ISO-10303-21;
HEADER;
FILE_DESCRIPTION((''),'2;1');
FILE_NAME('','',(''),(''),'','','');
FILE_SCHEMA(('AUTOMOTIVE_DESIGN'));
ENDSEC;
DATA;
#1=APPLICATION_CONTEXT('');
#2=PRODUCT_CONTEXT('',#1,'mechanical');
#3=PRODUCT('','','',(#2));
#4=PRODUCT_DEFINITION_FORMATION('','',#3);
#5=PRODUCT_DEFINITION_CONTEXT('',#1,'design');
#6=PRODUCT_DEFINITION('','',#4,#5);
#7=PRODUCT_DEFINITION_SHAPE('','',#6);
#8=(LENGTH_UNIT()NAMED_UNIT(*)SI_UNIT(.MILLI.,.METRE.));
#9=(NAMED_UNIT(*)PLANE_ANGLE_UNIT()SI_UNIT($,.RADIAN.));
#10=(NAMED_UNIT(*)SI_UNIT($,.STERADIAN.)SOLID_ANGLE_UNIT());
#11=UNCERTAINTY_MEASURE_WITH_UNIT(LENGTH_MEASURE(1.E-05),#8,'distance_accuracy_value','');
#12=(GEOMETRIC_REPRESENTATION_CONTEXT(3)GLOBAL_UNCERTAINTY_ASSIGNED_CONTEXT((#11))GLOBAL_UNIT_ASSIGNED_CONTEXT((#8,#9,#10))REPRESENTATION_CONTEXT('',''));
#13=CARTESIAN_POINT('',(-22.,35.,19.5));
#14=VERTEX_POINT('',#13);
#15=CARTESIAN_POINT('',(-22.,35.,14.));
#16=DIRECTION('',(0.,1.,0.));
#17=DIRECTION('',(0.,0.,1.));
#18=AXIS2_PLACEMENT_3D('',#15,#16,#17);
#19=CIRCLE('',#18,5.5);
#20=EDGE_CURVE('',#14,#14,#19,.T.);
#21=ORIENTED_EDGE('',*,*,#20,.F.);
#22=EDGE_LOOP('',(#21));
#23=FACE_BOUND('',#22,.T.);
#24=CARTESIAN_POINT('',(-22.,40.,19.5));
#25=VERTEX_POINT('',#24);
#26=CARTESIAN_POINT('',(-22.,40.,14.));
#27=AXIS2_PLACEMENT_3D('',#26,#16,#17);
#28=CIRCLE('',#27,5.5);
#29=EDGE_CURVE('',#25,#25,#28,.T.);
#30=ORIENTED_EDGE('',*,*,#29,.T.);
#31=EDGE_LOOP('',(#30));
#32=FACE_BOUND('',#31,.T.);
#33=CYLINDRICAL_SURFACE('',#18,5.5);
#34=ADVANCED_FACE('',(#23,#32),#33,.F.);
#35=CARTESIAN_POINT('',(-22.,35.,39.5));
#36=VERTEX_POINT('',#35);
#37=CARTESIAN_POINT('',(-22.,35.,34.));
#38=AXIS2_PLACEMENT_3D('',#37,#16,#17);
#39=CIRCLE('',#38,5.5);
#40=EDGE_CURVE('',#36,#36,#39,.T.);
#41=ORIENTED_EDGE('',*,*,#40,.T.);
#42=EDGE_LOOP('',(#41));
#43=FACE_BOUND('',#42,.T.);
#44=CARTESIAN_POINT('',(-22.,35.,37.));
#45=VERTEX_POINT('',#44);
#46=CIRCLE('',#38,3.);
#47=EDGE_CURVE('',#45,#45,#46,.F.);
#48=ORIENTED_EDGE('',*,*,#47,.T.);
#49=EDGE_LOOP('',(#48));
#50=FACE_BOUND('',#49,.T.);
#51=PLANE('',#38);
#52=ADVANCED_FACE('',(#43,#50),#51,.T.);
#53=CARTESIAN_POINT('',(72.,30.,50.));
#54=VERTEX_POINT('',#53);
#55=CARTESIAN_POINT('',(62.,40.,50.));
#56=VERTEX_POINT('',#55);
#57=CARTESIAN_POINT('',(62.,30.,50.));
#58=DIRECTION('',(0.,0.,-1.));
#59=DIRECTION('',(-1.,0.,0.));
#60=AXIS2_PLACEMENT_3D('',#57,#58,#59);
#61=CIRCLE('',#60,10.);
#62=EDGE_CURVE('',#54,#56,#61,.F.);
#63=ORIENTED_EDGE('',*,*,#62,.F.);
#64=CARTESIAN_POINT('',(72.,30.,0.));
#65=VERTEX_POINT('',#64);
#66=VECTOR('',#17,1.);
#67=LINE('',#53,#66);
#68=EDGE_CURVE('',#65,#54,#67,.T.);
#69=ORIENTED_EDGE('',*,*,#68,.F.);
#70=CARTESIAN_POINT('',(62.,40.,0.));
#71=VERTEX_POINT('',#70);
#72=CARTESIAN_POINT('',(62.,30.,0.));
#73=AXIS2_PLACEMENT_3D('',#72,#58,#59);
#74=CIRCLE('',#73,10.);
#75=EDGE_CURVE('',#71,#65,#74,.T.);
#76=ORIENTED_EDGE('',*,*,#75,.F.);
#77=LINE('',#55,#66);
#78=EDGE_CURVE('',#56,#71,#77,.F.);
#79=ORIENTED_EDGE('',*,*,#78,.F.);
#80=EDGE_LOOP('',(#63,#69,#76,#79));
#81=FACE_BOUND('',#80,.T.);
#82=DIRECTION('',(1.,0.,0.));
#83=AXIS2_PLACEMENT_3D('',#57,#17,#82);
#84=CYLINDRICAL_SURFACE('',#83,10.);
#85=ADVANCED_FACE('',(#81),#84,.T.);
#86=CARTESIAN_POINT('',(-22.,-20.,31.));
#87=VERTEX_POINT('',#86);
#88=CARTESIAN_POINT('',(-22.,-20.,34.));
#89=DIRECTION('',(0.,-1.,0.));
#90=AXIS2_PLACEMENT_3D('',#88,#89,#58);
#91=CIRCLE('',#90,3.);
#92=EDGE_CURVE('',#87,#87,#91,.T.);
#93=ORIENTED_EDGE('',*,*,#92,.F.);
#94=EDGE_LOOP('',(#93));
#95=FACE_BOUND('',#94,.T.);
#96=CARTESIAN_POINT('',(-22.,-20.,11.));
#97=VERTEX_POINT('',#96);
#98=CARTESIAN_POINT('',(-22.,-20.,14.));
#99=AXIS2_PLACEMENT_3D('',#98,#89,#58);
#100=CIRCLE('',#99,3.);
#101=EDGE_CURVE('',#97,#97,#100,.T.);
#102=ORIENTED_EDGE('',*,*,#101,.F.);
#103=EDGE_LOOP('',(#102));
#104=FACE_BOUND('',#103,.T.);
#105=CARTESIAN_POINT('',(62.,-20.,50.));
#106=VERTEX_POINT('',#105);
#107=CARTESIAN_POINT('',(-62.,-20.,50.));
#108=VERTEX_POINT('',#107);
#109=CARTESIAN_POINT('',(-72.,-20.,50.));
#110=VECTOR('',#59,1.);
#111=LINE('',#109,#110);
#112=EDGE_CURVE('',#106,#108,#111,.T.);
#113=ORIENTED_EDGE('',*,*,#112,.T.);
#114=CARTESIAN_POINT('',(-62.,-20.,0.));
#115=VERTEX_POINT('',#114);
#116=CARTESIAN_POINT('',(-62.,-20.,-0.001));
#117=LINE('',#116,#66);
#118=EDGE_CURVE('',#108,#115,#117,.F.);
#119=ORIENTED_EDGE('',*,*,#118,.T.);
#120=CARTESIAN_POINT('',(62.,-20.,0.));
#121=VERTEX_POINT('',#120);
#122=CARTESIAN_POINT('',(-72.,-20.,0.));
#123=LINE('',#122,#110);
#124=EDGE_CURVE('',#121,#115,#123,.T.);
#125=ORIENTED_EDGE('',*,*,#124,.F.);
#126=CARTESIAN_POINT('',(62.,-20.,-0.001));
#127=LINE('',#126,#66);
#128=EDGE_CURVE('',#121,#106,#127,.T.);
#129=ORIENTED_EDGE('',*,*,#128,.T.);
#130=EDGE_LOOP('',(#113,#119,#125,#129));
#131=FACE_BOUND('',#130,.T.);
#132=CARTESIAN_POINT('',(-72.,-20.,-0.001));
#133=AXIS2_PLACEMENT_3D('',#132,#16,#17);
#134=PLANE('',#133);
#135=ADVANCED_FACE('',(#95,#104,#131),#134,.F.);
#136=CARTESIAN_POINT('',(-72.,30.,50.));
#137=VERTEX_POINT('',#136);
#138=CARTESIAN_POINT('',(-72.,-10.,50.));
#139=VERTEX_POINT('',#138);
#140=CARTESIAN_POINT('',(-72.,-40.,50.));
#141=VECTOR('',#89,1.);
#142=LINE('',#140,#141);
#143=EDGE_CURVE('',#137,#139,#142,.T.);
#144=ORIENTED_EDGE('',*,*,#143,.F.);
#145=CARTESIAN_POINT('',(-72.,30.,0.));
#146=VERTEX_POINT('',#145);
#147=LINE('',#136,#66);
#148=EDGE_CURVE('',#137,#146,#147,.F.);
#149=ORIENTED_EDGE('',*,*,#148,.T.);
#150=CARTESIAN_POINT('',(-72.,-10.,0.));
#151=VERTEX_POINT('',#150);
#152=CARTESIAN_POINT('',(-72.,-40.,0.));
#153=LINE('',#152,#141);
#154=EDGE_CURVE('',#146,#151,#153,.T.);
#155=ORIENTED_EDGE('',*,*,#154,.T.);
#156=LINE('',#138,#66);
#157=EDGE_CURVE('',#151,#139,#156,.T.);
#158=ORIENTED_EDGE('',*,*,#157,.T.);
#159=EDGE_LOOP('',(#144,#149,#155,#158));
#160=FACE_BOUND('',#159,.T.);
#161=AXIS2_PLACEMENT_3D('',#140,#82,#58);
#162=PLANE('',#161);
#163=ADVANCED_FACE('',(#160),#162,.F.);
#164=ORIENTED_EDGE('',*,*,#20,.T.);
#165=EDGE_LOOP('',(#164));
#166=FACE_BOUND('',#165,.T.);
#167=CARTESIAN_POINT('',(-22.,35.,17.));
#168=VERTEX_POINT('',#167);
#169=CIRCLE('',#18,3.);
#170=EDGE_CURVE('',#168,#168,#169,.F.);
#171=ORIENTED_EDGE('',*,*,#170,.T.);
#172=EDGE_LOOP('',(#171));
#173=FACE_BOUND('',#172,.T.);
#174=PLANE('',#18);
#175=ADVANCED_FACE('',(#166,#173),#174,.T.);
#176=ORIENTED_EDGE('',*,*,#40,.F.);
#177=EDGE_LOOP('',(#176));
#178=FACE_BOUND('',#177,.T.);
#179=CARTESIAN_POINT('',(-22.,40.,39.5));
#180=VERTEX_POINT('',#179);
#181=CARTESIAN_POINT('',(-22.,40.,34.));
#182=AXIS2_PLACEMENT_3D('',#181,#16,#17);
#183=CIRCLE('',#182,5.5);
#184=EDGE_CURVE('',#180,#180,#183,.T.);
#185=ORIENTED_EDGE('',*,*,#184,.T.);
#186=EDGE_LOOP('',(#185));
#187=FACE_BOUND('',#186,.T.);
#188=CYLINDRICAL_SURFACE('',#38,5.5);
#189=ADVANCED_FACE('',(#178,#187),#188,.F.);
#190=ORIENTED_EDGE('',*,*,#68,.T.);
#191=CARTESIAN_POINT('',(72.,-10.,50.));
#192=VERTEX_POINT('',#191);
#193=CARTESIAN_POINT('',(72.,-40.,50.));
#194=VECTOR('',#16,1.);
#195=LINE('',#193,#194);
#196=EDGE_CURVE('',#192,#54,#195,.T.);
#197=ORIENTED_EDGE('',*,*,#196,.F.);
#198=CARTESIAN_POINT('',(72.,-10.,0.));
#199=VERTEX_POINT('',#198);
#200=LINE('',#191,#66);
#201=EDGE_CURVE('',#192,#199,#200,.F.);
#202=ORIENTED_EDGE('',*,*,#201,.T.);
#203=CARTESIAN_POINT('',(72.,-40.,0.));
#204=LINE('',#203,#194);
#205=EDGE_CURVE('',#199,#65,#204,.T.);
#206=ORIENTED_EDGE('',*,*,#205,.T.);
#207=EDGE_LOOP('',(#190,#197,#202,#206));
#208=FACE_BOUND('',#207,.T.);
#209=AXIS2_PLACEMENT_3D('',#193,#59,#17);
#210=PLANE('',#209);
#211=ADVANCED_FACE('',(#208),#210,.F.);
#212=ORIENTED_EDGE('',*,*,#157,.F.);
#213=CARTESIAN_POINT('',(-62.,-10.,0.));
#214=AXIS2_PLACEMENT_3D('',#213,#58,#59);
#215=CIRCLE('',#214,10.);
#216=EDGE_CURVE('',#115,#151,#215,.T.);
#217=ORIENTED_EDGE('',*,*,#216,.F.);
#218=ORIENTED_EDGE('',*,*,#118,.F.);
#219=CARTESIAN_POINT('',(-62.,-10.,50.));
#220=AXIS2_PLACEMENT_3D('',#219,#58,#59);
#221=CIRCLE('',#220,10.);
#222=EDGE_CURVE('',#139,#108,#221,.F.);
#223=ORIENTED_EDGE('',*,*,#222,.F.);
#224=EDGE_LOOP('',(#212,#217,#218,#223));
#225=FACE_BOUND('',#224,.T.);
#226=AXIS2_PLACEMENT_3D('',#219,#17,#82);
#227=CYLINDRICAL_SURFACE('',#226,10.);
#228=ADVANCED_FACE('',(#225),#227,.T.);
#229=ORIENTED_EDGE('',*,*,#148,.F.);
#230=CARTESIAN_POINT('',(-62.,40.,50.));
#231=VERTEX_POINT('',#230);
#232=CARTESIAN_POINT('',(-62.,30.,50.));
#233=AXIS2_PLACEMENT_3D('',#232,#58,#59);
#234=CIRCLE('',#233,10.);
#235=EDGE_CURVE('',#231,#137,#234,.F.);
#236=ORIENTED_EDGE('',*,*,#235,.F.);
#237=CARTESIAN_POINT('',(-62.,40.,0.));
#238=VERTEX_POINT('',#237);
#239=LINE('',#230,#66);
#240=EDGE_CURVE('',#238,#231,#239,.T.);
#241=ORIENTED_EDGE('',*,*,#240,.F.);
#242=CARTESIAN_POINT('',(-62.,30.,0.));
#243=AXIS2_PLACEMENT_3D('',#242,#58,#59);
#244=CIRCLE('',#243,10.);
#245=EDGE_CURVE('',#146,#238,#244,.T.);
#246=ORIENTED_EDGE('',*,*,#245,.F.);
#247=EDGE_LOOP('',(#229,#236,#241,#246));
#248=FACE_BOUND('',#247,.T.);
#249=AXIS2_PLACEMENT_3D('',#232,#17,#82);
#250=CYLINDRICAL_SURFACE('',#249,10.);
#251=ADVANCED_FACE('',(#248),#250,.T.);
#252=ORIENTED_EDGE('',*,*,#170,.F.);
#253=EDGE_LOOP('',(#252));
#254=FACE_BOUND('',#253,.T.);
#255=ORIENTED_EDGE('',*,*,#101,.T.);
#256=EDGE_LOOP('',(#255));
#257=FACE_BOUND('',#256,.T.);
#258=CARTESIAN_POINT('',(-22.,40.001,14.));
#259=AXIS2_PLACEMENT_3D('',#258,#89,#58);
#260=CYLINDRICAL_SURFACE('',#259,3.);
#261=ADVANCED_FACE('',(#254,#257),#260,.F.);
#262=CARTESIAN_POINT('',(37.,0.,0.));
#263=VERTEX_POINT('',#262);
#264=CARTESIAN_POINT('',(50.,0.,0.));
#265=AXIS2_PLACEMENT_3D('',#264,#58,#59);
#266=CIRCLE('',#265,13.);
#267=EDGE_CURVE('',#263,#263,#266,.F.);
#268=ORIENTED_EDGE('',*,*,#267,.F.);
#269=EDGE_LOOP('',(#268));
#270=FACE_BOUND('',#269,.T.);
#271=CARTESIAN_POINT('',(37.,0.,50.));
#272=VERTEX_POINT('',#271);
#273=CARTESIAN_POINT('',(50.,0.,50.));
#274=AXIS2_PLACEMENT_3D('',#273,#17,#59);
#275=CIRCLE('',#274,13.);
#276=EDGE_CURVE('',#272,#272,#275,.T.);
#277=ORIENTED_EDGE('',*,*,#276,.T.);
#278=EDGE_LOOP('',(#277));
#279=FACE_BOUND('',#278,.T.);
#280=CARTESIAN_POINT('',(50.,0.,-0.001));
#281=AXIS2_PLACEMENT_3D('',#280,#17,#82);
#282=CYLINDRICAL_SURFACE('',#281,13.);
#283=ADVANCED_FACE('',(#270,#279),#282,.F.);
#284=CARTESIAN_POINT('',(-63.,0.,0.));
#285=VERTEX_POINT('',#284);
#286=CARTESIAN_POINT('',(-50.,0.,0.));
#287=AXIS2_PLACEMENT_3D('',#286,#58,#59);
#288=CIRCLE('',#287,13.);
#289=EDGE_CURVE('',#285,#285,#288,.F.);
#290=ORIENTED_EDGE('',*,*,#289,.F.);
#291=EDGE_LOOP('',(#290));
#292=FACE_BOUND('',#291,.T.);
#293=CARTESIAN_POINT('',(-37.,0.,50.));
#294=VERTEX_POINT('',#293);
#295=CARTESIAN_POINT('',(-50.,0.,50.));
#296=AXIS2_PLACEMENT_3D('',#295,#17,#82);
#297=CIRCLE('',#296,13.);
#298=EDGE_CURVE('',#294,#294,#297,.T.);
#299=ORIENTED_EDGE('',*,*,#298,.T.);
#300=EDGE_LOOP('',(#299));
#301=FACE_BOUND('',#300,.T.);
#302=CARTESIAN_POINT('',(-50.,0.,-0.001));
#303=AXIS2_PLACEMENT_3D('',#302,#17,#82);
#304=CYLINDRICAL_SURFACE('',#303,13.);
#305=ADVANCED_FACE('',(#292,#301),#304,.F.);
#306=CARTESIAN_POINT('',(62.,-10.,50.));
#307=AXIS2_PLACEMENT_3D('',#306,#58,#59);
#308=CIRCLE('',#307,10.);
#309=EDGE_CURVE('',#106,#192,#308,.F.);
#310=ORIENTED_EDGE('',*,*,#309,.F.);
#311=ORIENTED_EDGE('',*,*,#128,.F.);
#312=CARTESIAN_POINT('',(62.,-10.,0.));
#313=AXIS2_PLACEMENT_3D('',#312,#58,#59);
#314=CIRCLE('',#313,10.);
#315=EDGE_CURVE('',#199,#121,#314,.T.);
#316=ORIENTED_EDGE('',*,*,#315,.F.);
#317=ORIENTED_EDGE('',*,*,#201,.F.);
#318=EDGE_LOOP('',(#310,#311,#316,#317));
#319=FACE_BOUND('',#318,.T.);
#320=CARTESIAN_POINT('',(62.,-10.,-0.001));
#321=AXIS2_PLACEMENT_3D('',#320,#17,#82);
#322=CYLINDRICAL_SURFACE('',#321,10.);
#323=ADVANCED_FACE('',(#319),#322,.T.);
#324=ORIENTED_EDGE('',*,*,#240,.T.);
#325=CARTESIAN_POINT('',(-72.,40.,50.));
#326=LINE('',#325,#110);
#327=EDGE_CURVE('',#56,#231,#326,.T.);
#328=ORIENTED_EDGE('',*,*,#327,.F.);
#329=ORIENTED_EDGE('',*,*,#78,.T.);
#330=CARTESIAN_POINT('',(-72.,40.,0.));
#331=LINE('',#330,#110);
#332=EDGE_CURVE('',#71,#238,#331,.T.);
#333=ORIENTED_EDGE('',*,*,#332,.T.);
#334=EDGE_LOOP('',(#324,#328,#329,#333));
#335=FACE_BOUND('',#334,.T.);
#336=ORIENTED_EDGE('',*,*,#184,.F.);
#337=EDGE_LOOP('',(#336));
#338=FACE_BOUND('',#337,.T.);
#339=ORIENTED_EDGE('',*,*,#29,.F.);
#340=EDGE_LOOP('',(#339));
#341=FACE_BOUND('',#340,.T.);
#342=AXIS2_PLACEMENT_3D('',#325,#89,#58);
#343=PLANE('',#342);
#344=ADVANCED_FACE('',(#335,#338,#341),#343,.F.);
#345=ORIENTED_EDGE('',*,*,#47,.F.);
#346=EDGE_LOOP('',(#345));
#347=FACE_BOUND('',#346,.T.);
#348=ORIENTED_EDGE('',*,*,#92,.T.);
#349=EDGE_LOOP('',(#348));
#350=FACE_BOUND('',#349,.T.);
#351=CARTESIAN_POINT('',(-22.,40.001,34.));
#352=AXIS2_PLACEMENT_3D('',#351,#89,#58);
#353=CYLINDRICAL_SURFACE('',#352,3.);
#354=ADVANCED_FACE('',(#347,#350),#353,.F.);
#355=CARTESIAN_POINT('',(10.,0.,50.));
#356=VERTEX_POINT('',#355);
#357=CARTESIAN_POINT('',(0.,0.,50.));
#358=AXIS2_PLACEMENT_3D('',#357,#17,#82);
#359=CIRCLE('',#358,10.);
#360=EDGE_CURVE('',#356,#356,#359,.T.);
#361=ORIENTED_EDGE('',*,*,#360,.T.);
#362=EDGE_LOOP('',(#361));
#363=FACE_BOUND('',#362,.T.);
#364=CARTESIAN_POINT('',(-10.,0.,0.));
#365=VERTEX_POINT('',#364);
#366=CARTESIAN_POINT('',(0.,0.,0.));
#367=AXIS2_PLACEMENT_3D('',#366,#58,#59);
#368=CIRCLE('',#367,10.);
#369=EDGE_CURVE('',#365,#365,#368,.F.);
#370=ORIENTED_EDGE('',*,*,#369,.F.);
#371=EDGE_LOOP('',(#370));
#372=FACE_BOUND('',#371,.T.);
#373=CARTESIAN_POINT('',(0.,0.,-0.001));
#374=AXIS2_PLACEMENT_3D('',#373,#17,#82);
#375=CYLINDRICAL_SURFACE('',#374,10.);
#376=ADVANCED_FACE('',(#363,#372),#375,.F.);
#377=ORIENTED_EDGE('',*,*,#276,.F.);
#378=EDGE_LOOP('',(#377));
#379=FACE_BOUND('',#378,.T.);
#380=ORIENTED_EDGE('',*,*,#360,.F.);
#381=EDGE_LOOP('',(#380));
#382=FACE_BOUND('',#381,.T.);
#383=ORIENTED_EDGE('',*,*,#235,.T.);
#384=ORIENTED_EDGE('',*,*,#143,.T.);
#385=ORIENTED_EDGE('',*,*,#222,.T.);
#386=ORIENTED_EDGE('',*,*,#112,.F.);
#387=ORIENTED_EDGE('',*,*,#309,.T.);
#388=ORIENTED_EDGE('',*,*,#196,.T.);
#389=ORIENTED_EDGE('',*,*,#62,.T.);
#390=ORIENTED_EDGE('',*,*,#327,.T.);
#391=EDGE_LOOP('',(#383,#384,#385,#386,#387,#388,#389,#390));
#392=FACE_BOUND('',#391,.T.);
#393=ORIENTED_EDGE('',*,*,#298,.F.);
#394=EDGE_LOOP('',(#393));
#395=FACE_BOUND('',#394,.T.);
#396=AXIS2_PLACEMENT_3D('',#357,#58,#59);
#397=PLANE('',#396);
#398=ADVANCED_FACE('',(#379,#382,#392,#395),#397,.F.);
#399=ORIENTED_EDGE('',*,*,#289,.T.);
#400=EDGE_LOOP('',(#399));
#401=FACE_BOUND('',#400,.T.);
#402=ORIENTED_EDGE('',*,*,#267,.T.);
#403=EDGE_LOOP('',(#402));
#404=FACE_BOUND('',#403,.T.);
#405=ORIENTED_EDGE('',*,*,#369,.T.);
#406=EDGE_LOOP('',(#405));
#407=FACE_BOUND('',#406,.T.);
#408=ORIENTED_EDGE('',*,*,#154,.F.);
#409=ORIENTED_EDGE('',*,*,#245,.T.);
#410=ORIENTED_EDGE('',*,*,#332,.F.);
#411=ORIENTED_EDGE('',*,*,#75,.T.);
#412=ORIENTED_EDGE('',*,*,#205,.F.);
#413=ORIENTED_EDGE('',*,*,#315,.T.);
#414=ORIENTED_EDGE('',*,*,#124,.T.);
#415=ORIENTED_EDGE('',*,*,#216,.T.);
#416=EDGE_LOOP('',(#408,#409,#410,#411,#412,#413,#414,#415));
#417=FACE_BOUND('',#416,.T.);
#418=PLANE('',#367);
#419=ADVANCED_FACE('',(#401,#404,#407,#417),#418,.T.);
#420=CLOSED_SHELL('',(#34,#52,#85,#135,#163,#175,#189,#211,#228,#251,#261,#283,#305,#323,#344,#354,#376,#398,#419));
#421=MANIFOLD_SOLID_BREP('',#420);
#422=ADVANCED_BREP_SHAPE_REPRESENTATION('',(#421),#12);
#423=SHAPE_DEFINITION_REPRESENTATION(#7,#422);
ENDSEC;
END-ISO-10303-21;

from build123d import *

# Parameters (mm, degrees)
SKETCH1_W           = 144
SKETCH1_H           = 80
BOSS_EXTRUDE1_DEPTH = 50
CUT_EXTRUDE1_REACH  = 98.354
SKETCH2_R           = 10
SKETCH2_R_2         = 13
CUT_EXTRUDE3_REACH  = 98.354
SKETCH3_W           = 144
SKETCH3_H           = 20
CUT_EXTRUDE4_REACH  = 108.226
SKETCH5_R           = 3
FILLET1_R           = 10
FILLET2_R           = 10
FILLET3_R           = 10
FILLET4_R           = 10
SKETCH6_R           = 5.5
CUT_EXTRUDE5_DEPTH  = 5


with BuildPart() as part:
    # Sketch1 → Boss-Extrude1 (new body)
    with BuildSketch(Plane.XY):
        Rectangle(SKETCH1_W, SKETCH1_H)
    extrude(amount=BOSS_EXTRUDE1_DEPTH)

    # Sketch2 → Cut-Extrude1 (cut, up to next)
    with BuildSketch(Plane.XY.offset(50), mode=Mode.PRIVATE) as cut_extrude1_sk1:
        Circle(SKETCH2_R)
    cut_extrude1_tool1 = extrude(cut_extrude1_sk1.sketch, amount=-CUT_EXTRUDE1_REACH, mode=Mode.PRIVATE) & part.part
    # Sketch2 → Cut-Extrude1 (cut, up to next)
    with BuildSketch(Plane.XY.offset(50), mode=Mode.PRIVATE) as cut_extrude1_sk2:
        with Locations((-50, 0)):
            Circle(SKETCH2_R_2)
    cut_extrude1_tool2 = extrude(cut_extrude1_sk2.sketch, amount=-CUT_EXTRUDE1_REACH, mode=Mode.PRIVATE) & part.part
    # Sketch2 → Cut-Extrude1 (cut, up to next)
    with BuildSketch(Plane.XY.offset(50), mode=Mode.PRIVATE) as cut_extrude1_sk3:
        with Locations(Location((50, 0, 0), (0, 0, 180))):
            Circle(SKETCH2_R_2)
    cut_extrude1_tool3 = extrude(cut_extrude1_sk3.sketch, amount=-CUT_EXTRUDE1_REACH, mode=Mode.PRIVATE) & part.part
    add(cut_extrude1_tool1.solids().sort_by_distance((0, 0, 50))[0], mode=Mode.SUBTRACT)
    add(cut_extrude1_tool2.solids().sort_by_distance((-50, 0, 50))[0], mode=Mode.SUBTRACT)
    add(cut_extrude1_tool3.solids().sort_by_distance((50, 0, 50))[0], mode=Mode.SUBTRACT)

    # Sketch3 → Cut-Extrude3 (cut, up to next)
    with BuildSketch(Plane.XY.offset(50), mode=Mode.PRIVATE) as cut_extrude3_sk1:
        with Locations((0, -30)):
            Rectangle(SKETCH3_W, SKETCH3_H)
    cut_extrude3_tool1 = extrude(cut_extrude3_sk1.sketch, amount=-CUT_EXTRUDE3_REACH, mode=Mode.PRIVATE) & part.part
    add(cut_extrude3_tool1.solids().sort_by_distance((0, -30, 50))[0], mode=Mode.SUBTRACT)

    # Sketch5 → Cut-Extrude4 (cut, up to next)
    with BuildSketch(Plane.XZ.offset(20), mode=Mode.PRIVATE) as cut_extrude4_sk1:
        with Locations(Location((-22, 34, 0), (0, 0, 270))):
            Circle(SKETCH5_R)
    cut_extrude4_tool1 = extrude(cut_extrude4_sk1.sketch, amount=-CUT_EXTRUDE4_REACH, mode=Mode.PRIVATE) & part.part
    # Sketch5 → Cut-Extrude4 (cut, up to next)
    with BuildSketch(Plane.XZ.offset(20), mode=Mode.PRIVATE) as cut_extrude4_sk2:
        with Locations(Location((-22, 14, 0), (0, 0, 270))):
            Circle(SKETCH5_R)
    cut_extrude4_tool2 = extrude(cut_extrude4_sk2.sketch, amount=-CUT_EXTRUDE4_REACH, mode=Mode.PRIVATE) & part.part
    add(cut_extrude4_tool1.solids().sort_by_distance((-22, -20, 34))[0], mode=Mode.SUBTRACT)
    add(cut_extrude4_tool2.solids().sort_by_distance((-22, -20, 14))[0], mode=Mode.SUBTRACT)

    # Fillet1
    fillet1_edges = [part.edges().sort_by_distance(p)[0] for p in [
        (72, -20, 25),
    ]]
    fillet(fillet1_edges, radius=FILLET1_R)

    # Fillet2
    fillet2_edges = [part.edges().sort_by_distance(p)[0] for p in [
        (72, 40, 25),
    ]]
    fillet(fillet2_edges, radius=FILLET2_R)

    # Fillet3
    fillet3_edges = [part.edges().sort_by_distance(p)[0] for p in [
        (-72, 40, 25),
    ]]
    fillet(fillet3_edges, radius=FILLET3_R)

    # Fillet4
    fillet4_edges = [part.edges().sort_by_distance(p)[0] for p in [
        (-72, -20, 25),
    ]]
    fillet(fillet4_edges, radius=FILLET4_R)

    # Sketch6 → Cut-Extrude5 (cut)
    with BuildSketch(Plane(origin=(0, 40, 0), x_dir=(1, 0, 0), z_dir=(0, 1, 0))):
        with Locations(Location((-22, -14, 0), (0, 0, 270))):
            Circle(SKETCH6_R)
        with Locations(Location((-22, -34, 0), (0, 0, 270))):
            Circle(SKETCH6_R)
    extrude(amount=-CUT_EXTRUDE5_DEPTH, mode=Mode.SUBTRACT)


solid = part.part
